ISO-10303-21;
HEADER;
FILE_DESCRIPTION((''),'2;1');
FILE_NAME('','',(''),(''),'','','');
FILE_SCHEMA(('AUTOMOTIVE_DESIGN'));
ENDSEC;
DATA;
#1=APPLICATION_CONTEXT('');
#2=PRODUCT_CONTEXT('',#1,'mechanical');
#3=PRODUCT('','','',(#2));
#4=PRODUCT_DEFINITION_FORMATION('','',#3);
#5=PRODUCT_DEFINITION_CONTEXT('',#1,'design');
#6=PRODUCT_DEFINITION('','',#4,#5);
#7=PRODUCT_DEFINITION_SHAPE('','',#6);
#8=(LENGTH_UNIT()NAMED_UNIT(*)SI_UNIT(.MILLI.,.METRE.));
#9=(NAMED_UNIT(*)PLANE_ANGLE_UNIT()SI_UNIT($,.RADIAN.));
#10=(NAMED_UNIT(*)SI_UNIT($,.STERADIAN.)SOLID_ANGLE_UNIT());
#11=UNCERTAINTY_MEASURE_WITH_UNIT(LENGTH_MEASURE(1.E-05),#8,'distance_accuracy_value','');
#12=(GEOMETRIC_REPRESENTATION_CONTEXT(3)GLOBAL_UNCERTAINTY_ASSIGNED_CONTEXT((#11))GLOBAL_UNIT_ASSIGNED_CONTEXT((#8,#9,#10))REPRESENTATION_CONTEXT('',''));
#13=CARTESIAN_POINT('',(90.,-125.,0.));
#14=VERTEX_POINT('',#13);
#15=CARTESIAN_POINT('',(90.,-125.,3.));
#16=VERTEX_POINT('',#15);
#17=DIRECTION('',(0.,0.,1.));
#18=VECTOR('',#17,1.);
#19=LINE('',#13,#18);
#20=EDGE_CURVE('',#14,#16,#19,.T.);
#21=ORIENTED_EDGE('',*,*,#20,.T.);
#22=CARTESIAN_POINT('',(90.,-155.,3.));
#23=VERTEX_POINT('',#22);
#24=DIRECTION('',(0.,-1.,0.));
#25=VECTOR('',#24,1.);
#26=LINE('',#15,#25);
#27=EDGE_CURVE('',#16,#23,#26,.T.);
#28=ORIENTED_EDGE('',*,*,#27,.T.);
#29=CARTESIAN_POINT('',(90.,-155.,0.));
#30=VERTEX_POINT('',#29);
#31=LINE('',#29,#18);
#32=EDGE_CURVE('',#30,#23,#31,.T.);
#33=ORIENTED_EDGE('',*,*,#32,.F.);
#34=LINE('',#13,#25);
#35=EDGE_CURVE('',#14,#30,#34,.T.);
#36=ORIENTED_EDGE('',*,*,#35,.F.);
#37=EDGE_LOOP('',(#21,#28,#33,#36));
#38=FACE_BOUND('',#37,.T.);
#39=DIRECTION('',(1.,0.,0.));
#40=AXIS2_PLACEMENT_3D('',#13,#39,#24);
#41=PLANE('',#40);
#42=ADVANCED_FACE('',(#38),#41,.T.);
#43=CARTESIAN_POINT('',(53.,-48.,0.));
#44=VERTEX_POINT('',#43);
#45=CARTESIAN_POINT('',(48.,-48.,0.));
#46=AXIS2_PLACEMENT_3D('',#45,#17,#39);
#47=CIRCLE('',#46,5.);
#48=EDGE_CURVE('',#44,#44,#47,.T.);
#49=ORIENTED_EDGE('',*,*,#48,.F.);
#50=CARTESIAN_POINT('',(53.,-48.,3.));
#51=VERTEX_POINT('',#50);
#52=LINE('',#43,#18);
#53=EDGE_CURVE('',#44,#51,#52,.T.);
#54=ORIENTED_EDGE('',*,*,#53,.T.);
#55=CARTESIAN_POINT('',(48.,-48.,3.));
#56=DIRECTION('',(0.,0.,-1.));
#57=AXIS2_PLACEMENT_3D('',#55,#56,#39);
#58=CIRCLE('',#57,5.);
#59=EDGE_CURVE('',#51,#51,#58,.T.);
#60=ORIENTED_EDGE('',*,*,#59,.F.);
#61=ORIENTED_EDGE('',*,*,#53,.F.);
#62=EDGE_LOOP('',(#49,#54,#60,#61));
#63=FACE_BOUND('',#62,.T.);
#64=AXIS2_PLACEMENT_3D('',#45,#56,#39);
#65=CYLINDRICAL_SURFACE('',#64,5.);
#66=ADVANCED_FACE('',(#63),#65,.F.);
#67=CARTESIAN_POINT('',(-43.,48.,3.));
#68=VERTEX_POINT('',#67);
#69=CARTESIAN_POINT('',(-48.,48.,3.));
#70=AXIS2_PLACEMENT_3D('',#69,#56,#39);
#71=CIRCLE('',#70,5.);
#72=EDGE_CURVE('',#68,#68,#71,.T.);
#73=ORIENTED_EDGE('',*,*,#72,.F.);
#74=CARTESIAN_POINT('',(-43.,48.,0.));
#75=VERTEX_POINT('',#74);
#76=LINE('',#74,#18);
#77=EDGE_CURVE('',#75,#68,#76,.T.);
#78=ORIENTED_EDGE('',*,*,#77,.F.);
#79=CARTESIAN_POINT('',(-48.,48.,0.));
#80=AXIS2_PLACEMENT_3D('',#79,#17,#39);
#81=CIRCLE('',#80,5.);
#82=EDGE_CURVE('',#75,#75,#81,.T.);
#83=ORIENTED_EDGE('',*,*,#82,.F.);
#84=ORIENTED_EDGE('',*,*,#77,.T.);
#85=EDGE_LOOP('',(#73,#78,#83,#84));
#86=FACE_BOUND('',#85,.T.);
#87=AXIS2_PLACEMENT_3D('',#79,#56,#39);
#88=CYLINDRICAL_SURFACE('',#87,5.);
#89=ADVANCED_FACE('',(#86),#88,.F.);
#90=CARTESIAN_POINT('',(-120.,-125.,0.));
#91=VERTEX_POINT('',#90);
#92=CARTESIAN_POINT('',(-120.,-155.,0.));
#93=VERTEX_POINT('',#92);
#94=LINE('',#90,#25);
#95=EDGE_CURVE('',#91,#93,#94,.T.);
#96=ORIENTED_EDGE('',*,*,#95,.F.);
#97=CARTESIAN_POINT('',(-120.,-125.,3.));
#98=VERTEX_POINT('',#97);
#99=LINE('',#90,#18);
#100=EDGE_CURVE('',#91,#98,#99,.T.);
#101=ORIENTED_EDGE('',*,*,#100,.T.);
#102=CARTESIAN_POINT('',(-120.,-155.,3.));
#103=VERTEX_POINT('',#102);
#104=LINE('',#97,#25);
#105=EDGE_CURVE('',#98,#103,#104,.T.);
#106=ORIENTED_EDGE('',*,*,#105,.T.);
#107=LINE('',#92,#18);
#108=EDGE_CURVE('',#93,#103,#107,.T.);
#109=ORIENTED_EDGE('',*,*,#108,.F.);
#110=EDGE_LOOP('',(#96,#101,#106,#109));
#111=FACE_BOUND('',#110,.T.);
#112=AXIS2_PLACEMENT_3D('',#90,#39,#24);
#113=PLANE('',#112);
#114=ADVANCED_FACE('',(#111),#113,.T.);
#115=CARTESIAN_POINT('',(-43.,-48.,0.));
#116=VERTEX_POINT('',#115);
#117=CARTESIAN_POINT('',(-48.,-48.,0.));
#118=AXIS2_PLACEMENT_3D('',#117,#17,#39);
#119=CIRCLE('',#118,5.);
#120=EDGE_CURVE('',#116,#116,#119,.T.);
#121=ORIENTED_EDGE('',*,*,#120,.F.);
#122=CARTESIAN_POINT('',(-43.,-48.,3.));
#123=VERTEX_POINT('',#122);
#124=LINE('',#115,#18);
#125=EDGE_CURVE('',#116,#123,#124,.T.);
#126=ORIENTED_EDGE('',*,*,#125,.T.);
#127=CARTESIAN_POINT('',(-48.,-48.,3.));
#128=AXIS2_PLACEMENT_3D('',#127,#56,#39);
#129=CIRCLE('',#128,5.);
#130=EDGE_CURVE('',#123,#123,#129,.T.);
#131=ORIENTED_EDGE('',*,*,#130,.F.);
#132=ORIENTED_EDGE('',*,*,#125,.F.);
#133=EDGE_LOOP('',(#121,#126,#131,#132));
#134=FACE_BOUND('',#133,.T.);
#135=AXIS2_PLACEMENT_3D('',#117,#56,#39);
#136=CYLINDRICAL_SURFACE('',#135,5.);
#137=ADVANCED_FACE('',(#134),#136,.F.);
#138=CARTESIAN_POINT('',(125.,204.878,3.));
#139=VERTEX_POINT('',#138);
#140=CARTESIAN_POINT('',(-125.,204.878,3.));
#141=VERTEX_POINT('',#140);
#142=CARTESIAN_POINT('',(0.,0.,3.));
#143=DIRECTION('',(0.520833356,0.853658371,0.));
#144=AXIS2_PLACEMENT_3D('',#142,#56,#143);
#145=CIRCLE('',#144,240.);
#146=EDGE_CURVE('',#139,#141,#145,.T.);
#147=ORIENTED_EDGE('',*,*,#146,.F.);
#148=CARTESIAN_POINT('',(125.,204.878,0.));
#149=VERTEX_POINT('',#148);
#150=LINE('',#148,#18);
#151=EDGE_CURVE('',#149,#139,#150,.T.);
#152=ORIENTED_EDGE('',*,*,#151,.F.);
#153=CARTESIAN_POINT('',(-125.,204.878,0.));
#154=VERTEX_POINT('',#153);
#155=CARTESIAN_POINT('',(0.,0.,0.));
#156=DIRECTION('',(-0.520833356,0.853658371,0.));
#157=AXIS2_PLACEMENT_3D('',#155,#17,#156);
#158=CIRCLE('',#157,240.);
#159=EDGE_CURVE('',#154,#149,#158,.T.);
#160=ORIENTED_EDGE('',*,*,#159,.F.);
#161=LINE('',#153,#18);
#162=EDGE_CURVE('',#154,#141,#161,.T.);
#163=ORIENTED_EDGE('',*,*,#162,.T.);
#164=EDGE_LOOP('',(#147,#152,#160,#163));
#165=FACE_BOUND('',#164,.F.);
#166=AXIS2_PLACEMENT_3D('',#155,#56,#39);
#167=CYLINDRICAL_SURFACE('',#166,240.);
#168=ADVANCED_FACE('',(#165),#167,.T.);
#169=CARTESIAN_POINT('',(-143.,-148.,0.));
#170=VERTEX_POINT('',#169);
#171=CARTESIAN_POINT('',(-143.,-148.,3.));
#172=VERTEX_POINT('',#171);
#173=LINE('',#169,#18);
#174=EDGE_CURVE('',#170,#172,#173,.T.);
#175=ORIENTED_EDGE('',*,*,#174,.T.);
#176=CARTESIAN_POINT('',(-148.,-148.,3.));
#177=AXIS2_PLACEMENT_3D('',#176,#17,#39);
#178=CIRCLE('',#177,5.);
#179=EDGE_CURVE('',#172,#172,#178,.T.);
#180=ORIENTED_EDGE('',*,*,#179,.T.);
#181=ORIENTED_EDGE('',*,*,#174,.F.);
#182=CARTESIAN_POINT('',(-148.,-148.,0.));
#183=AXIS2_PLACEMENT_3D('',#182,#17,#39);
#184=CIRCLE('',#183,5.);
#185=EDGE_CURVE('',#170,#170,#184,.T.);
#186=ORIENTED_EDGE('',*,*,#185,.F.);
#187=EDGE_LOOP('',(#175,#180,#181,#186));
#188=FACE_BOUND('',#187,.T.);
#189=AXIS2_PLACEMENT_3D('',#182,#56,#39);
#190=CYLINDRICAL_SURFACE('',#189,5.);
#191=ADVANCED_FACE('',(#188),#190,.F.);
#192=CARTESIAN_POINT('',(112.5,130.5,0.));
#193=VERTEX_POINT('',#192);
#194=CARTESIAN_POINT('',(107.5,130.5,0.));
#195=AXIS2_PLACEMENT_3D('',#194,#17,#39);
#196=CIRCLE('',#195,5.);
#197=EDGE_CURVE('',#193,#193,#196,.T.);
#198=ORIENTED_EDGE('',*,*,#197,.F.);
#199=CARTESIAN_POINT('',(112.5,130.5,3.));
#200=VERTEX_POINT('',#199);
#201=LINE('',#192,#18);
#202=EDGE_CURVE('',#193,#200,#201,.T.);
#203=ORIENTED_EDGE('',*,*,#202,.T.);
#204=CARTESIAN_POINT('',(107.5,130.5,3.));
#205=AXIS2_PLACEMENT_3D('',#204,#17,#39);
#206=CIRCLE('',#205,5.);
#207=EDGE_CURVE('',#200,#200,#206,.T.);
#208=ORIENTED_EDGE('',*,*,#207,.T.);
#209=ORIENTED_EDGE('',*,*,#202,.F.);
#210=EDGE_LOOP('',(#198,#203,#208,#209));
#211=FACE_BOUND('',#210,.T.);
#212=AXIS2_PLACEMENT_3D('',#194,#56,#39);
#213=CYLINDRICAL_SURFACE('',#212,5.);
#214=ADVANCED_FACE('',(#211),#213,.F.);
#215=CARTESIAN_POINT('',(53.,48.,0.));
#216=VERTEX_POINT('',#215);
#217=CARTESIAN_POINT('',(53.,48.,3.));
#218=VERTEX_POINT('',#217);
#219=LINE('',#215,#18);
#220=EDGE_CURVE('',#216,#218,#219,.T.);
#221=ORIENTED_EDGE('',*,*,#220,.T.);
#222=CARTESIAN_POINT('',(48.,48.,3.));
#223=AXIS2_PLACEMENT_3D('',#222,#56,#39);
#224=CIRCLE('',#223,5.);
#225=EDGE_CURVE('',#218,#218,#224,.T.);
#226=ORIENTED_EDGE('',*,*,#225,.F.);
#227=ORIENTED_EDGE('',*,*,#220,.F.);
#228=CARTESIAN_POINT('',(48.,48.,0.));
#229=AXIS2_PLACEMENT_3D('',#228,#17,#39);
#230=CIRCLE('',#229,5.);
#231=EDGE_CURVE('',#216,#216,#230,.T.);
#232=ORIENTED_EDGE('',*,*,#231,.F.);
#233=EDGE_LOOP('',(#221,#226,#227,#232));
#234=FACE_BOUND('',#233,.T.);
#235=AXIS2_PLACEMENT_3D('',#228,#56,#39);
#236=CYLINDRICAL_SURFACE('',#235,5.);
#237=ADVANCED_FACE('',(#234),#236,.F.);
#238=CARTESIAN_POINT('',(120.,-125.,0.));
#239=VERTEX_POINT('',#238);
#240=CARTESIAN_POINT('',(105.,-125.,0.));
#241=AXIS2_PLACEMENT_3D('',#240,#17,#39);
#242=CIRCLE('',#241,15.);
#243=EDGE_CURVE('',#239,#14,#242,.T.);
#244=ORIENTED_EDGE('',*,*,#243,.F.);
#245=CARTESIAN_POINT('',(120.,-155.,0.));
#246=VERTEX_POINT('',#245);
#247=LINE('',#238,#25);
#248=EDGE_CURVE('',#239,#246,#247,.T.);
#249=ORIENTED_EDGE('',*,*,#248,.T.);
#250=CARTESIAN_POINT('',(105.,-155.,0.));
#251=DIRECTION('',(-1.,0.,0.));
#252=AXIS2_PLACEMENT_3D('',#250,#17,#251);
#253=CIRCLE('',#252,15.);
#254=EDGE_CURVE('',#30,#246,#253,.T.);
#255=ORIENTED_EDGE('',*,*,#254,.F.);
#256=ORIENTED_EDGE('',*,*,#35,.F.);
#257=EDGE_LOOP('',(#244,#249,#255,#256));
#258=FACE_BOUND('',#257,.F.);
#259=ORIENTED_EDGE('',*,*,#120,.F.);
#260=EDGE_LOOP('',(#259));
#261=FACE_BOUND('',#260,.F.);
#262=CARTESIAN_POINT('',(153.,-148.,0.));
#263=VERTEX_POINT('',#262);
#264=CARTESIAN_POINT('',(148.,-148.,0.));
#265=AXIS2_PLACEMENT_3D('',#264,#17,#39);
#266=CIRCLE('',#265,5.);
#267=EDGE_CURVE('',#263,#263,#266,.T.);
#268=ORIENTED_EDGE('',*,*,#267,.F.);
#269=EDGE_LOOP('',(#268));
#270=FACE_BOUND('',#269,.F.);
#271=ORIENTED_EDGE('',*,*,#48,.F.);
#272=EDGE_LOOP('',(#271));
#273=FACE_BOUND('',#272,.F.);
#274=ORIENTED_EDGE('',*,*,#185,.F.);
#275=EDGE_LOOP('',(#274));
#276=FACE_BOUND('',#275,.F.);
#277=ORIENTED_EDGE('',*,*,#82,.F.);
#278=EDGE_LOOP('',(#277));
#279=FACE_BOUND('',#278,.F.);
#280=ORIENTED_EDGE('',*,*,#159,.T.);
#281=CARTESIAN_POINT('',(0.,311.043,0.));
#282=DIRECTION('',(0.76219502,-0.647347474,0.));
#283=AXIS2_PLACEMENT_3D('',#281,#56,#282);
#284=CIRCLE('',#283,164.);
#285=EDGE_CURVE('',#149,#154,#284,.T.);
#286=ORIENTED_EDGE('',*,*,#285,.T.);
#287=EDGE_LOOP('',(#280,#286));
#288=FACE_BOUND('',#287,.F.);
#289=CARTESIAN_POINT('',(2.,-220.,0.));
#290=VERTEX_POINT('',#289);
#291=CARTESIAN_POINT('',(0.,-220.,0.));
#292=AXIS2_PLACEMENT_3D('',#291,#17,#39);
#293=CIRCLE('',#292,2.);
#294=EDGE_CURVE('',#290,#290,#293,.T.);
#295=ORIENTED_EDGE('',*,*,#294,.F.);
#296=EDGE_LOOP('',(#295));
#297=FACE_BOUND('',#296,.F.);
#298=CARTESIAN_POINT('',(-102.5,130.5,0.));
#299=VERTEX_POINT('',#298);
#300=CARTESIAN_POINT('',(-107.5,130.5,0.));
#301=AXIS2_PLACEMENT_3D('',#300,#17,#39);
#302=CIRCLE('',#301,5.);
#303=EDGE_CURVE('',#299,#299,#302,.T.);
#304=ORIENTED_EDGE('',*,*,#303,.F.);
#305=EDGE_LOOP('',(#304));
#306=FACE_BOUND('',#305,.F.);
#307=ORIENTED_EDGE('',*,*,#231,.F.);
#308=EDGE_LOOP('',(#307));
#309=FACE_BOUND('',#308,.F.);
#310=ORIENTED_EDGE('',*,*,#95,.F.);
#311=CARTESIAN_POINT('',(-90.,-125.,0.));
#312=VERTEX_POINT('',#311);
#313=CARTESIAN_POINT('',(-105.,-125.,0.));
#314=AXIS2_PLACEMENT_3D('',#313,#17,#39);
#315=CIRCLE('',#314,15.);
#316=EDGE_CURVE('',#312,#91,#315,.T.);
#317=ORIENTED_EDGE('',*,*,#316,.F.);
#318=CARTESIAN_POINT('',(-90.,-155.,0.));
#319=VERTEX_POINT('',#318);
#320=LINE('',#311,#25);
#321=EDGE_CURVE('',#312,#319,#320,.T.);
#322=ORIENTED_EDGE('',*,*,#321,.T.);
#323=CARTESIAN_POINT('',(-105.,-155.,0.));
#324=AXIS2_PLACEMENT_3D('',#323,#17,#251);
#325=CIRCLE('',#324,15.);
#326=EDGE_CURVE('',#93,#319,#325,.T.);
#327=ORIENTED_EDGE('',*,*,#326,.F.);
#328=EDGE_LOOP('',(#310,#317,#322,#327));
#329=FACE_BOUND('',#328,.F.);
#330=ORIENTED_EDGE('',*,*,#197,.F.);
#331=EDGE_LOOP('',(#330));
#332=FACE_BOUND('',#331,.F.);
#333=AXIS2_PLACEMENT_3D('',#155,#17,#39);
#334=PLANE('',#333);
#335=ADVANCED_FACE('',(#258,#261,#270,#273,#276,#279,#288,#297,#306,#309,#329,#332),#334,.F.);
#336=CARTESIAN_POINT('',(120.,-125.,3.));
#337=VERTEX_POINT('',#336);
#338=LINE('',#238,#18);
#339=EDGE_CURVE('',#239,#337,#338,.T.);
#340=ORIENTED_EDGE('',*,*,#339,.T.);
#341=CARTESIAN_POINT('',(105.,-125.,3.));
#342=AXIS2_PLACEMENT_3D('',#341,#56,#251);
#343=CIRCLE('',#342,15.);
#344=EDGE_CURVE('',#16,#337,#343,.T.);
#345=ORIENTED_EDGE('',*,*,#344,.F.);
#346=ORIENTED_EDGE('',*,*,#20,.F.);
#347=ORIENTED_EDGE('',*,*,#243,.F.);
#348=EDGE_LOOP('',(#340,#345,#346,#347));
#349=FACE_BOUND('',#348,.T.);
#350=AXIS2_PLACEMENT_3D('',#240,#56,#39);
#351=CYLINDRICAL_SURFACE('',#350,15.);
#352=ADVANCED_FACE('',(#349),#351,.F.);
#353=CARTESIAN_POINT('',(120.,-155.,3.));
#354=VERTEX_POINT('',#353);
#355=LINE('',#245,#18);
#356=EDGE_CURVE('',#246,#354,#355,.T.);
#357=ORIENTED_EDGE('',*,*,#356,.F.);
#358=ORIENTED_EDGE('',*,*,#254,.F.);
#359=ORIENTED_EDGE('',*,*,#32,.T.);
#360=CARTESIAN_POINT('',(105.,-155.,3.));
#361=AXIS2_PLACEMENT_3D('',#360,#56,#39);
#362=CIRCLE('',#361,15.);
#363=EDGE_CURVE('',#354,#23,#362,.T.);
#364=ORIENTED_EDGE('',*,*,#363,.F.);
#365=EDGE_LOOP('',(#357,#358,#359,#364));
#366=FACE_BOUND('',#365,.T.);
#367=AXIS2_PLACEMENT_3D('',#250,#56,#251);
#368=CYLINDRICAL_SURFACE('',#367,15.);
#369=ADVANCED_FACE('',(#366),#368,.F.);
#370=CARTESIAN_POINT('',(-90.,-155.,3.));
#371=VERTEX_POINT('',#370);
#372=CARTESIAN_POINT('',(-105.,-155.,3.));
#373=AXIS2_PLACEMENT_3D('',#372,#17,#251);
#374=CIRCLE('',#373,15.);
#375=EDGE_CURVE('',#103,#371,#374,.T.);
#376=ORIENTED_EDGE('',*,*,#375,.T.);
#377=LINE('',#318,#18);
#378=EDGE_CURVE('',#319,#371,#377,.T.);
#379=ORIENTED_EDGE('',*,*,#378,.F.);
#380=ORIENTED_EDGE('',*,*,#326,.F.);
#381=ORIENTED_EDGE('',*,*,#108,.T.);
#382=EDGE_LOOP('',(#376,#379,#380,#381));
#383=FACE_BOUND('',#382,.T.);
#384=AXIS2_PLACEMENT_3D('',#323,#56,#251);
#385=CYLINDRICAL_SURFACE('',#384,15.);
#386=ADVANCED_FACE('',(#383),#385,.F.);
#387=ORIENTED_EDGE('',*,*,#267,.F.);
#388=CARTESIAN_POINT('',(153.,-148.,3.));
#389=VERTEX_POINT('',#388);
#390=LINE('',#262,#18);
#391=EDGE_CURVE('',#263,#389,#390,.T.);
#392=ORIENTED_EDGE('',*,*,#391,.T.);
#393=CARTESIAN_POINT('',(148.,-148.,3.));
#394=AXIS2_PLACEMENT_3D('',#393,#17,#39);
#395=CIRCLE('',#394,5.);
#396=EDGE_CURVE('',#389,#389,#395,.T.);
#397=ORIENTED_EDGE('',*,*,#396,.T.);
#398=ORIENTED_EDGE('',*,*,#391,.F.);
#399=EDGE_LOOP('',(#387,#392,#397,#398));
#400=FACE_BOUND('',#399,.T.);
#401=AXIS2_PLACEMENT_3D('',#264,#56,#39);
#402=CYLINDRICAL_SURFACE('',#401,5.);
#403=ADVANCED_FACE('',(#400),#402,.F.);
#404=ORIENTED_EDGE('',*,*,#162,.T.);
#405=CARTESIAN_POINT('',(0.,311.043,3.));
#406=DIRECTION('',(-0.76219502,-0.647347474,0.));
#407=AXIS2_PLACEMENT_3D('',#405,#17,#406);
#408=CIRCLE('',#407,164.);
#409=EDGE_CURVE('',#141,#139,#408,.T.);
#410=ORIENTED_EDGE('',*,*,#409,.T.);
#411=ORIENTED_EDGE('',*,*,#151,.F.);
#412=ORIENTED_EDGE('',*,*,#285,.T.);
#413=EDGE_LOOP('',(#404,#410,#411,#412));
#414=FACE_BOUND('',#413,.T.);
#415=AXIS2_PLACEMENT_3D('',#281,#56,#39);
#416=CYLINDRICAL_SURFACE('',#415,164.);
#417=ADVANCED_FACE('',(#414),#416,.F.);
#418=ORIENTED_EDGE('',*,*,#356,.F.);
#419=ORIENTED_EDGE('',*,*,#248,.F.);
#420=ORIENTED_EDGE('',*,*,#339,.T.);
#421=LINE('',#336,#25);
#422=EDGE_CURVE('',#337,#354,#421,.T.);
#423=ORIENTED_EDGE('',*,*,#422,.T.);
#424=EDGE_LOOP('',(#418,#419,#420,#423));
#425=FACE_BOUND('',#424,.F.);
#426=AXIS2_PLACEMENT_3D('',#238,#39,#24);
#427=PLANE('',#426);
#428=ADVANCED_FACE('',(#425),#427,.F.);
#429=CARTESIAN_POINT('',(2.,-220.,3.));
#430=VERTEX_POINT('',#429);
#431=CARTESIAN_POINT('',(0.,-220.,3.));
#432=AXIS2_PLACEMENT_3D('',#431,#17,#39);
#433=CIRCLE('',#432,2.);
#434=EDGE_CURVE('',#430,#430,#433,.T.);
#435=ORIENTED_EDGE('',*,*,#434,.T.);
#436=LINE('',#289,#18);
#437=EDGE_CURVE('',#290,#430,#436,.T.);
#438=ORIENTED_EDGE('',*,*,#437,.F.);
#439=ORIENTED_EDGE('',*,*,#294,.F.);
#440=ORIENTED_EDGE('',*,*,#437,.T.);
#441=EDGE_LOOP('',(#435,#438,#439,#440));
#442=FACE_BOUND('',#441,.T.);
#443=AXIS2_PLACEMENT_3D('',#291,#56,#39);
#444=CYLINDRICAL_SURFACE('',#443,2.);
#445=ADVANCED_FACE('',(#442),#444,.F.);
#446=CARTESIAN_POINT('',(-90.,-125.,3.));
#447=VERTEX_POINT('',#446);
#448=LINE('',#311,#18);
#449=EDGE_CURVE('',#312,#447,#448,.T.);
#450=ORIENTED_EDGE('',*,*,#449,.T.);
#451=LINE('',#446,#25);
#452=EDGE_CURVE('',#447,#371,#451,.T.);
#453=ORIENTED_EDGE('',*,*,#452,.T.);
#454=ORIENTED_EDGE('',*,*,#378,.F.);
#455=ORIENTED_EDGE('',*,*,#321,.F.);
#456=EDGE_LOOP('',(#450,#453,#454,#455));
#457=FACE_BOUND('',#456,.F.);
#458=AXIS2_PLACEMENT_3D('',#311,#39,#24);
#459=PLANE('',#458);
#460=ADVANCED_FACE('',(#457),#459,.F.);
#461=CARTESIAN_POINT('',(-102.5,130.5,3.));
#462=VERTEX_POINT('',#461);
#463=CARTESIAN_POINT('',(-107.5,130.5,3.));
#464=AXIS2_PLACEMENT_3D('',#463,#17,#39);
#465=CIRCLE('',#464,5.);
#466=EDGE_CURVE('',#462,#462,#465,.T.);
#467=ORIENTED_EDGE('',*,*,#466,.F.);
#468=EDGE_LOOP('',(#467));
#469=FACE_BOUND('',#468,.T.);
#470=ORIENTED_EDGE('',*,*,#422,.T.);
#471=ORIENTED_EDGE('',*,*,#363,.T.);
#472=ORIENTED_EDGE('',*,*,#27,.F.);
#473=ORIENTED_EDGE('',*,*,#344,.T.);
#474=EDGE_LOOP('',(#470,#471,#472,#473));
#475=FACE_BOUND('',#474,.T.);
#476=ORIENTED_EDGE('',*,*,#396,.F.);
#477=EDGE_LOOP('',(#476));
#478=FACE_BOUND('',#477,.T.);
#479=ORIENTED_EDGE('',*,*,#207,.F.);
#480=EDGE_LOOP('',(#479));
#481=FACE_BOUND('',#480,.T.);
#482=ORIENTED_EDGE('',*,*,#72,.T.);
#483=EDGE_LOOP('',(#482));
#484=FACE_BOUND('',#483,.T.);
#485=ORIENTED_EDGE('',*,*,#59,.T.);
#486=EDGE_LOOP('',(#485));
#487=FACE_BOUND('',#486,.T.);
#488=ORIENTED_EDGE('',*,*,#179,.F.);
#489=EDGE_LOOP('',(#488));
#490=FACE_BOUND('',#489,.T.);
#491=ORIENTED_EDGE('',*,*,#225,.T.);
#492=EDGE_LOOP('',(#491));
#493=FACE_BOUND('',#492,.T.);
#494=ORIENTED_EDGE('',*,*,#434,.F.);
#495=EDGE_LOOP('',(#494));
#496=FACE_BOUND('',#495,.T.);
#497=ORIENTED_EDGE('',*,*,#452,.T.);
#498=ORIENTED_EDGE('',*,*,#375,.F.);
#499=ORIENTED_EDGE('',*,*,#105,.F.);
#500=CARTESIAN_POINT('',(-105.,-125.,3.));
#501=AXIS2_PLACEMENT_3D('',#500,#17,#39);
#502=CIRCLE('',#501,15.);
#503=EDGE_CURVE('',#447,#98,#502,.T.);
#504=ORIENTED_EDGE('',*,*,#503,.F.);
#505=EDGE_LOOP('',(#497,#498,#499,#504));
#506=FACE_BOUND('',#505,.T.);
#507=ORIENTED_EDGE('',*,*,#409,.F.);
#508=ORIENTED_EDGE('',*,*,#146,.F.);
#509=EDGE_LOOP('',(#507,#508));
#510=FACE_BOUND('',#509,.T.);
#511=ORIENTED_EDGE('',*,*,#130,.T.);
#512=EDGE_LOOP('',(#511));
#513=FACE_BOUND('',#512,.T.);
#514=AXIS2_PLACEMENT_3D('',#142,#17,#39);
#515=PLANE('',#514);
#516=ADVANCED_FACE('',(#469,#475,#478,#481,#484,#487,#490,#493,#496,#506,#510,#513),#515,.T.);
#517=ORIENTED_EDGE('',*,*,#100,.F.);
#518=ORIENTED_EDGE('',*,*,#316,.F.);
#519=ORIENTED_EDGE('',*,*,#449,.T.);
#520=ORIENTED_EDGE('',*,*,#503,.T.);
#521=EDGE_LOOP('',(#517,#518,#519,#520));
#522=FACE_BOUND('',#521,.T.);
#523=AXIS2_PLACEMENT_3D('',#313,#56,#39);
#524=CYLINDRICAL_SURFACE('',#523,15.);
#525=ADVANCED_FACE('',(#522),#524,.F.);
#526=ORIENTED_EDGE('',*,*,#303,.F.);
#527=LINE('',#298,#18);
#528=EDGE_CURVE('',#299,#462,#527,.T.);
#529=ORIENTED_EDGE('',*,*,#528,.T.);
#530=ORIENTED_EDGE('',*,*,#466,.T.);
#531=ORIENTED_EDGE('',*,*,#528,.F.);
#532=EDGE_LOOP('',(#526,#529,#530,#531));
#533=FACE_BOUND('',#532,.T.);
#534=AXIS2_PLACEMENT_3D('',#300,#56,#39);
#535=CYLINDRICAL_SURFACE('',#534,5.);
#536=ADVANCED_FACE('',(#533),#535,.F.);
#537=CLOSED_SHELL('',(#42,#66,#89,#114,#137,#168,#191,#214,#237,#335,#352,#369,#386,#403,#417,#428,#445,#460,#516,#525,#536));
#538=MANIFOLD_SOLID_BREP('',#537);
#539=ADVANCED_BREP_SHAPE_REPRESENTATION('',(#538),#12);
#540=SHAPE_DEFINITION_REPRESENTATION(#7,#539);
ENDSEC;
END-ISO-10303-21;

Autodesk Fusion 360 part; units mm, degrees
sketch "Esboço1" plane through (0, 0, 0) normal (0, 0, 1) x (1, 0, 0)
  circle A0 centre (0, 0) radius 240
  line L0 (48, -48) -> (-48, -48)
  line L1 (-48, -48) -> (-48, 48)
  line L2 (-48, 48) -> (48, 48)
  line L3 (48, 48) -> (48, -48)
  line L4 (48, -48) -> (-48, 48) construction
  line L5 (-48, -48) -> (48, 48) construction
  circle A1 centre (-48, 48) radius 5
  circle A2 centre (-48, -48) radius 5
  circle A3 centre (48, 48) radius 5
  circle A4 centre (48, -48) radius 5
  line L6 (105, -110) -> (105, -170)
  line L7 (90, -125) -> (90, -155)
  line L8 (120, -125) -> (120, -155)
  arc A5 (120, -125) -> (90, -125) centre (105, -125) ccw
  arc A6 (90, -155) -> (120, -155) centre (105, -155) ccw
  circle A7 centre (148, -148) radius 5
  line L9 (-125, 204.878) -> (125, 204.878)
  circle A8 centre (0, 311.043) radius 164
  circle A9 centre (107.5, 130.5) radius 5
  line L10 (-40, 115) -> (40, 115)
  line L11 (-40, 115) -> (-40, 151.9958)
  line L12 (40, 115) -> (40, 151.9958)
  line L13 (0, 1.75) -> (0, 22.5)
  line L14 (-120, -125) -> (-120, -155)
  arc A10 (-90, -125) -> (-120, -125) centre (-105, -125) ccw
  line L15 (-90, -125) -> (-90, -155)
  arc A11 (-120, -155) -> (-90, -155) centre (-105, -155) ccw
  circle A12 centre (-148, -148) radius 5
  circle A13 centre (-107.5, 130.5) radius 5
  circle A14 centre (0, -220) radius 2
  point P0 (105, -110)
  point P1 (0, 115)
  dimension "d1" = 480
  dimension "d2" = 96
  dimension "d3" = 96
  dimension "d4" = 10
  dimension "d5" = 10
  dimension "d6" = 10
  dimension "d7" = 10
  dimension "d8" = 110
  dimension "d9" = 105
  dimension "d10" = 30
  dimension "d11" = 60
  dimension "d12" = 30
  dimension "d13" = 10
  dimension "d14" = 148
  dimension "d15" = 148
  dimension "d16" = 250
  dimension "d17" = 328
  dimension "d18" = 10
  dimension "d19" = 130.5
  dimension "d20" = 107.5
  dimension "d21" = 115
  dimension "d22" = 80
  dimension "d23" = 4
  dimension "d24" = 220
extrude "Extrusão1" add sketch "Esboço1" along normal blind 3 contours A0 A8 L10 L11 L12 | A8 L10 L11 L12 | L0 L1 L2 L3 A1 A2 A3 A4
equation "d12 = d10"
equation "d17 = ( 164 * 2 ) * 1 mm"
equation "d24 = d1 / 2 - 20 mm"
